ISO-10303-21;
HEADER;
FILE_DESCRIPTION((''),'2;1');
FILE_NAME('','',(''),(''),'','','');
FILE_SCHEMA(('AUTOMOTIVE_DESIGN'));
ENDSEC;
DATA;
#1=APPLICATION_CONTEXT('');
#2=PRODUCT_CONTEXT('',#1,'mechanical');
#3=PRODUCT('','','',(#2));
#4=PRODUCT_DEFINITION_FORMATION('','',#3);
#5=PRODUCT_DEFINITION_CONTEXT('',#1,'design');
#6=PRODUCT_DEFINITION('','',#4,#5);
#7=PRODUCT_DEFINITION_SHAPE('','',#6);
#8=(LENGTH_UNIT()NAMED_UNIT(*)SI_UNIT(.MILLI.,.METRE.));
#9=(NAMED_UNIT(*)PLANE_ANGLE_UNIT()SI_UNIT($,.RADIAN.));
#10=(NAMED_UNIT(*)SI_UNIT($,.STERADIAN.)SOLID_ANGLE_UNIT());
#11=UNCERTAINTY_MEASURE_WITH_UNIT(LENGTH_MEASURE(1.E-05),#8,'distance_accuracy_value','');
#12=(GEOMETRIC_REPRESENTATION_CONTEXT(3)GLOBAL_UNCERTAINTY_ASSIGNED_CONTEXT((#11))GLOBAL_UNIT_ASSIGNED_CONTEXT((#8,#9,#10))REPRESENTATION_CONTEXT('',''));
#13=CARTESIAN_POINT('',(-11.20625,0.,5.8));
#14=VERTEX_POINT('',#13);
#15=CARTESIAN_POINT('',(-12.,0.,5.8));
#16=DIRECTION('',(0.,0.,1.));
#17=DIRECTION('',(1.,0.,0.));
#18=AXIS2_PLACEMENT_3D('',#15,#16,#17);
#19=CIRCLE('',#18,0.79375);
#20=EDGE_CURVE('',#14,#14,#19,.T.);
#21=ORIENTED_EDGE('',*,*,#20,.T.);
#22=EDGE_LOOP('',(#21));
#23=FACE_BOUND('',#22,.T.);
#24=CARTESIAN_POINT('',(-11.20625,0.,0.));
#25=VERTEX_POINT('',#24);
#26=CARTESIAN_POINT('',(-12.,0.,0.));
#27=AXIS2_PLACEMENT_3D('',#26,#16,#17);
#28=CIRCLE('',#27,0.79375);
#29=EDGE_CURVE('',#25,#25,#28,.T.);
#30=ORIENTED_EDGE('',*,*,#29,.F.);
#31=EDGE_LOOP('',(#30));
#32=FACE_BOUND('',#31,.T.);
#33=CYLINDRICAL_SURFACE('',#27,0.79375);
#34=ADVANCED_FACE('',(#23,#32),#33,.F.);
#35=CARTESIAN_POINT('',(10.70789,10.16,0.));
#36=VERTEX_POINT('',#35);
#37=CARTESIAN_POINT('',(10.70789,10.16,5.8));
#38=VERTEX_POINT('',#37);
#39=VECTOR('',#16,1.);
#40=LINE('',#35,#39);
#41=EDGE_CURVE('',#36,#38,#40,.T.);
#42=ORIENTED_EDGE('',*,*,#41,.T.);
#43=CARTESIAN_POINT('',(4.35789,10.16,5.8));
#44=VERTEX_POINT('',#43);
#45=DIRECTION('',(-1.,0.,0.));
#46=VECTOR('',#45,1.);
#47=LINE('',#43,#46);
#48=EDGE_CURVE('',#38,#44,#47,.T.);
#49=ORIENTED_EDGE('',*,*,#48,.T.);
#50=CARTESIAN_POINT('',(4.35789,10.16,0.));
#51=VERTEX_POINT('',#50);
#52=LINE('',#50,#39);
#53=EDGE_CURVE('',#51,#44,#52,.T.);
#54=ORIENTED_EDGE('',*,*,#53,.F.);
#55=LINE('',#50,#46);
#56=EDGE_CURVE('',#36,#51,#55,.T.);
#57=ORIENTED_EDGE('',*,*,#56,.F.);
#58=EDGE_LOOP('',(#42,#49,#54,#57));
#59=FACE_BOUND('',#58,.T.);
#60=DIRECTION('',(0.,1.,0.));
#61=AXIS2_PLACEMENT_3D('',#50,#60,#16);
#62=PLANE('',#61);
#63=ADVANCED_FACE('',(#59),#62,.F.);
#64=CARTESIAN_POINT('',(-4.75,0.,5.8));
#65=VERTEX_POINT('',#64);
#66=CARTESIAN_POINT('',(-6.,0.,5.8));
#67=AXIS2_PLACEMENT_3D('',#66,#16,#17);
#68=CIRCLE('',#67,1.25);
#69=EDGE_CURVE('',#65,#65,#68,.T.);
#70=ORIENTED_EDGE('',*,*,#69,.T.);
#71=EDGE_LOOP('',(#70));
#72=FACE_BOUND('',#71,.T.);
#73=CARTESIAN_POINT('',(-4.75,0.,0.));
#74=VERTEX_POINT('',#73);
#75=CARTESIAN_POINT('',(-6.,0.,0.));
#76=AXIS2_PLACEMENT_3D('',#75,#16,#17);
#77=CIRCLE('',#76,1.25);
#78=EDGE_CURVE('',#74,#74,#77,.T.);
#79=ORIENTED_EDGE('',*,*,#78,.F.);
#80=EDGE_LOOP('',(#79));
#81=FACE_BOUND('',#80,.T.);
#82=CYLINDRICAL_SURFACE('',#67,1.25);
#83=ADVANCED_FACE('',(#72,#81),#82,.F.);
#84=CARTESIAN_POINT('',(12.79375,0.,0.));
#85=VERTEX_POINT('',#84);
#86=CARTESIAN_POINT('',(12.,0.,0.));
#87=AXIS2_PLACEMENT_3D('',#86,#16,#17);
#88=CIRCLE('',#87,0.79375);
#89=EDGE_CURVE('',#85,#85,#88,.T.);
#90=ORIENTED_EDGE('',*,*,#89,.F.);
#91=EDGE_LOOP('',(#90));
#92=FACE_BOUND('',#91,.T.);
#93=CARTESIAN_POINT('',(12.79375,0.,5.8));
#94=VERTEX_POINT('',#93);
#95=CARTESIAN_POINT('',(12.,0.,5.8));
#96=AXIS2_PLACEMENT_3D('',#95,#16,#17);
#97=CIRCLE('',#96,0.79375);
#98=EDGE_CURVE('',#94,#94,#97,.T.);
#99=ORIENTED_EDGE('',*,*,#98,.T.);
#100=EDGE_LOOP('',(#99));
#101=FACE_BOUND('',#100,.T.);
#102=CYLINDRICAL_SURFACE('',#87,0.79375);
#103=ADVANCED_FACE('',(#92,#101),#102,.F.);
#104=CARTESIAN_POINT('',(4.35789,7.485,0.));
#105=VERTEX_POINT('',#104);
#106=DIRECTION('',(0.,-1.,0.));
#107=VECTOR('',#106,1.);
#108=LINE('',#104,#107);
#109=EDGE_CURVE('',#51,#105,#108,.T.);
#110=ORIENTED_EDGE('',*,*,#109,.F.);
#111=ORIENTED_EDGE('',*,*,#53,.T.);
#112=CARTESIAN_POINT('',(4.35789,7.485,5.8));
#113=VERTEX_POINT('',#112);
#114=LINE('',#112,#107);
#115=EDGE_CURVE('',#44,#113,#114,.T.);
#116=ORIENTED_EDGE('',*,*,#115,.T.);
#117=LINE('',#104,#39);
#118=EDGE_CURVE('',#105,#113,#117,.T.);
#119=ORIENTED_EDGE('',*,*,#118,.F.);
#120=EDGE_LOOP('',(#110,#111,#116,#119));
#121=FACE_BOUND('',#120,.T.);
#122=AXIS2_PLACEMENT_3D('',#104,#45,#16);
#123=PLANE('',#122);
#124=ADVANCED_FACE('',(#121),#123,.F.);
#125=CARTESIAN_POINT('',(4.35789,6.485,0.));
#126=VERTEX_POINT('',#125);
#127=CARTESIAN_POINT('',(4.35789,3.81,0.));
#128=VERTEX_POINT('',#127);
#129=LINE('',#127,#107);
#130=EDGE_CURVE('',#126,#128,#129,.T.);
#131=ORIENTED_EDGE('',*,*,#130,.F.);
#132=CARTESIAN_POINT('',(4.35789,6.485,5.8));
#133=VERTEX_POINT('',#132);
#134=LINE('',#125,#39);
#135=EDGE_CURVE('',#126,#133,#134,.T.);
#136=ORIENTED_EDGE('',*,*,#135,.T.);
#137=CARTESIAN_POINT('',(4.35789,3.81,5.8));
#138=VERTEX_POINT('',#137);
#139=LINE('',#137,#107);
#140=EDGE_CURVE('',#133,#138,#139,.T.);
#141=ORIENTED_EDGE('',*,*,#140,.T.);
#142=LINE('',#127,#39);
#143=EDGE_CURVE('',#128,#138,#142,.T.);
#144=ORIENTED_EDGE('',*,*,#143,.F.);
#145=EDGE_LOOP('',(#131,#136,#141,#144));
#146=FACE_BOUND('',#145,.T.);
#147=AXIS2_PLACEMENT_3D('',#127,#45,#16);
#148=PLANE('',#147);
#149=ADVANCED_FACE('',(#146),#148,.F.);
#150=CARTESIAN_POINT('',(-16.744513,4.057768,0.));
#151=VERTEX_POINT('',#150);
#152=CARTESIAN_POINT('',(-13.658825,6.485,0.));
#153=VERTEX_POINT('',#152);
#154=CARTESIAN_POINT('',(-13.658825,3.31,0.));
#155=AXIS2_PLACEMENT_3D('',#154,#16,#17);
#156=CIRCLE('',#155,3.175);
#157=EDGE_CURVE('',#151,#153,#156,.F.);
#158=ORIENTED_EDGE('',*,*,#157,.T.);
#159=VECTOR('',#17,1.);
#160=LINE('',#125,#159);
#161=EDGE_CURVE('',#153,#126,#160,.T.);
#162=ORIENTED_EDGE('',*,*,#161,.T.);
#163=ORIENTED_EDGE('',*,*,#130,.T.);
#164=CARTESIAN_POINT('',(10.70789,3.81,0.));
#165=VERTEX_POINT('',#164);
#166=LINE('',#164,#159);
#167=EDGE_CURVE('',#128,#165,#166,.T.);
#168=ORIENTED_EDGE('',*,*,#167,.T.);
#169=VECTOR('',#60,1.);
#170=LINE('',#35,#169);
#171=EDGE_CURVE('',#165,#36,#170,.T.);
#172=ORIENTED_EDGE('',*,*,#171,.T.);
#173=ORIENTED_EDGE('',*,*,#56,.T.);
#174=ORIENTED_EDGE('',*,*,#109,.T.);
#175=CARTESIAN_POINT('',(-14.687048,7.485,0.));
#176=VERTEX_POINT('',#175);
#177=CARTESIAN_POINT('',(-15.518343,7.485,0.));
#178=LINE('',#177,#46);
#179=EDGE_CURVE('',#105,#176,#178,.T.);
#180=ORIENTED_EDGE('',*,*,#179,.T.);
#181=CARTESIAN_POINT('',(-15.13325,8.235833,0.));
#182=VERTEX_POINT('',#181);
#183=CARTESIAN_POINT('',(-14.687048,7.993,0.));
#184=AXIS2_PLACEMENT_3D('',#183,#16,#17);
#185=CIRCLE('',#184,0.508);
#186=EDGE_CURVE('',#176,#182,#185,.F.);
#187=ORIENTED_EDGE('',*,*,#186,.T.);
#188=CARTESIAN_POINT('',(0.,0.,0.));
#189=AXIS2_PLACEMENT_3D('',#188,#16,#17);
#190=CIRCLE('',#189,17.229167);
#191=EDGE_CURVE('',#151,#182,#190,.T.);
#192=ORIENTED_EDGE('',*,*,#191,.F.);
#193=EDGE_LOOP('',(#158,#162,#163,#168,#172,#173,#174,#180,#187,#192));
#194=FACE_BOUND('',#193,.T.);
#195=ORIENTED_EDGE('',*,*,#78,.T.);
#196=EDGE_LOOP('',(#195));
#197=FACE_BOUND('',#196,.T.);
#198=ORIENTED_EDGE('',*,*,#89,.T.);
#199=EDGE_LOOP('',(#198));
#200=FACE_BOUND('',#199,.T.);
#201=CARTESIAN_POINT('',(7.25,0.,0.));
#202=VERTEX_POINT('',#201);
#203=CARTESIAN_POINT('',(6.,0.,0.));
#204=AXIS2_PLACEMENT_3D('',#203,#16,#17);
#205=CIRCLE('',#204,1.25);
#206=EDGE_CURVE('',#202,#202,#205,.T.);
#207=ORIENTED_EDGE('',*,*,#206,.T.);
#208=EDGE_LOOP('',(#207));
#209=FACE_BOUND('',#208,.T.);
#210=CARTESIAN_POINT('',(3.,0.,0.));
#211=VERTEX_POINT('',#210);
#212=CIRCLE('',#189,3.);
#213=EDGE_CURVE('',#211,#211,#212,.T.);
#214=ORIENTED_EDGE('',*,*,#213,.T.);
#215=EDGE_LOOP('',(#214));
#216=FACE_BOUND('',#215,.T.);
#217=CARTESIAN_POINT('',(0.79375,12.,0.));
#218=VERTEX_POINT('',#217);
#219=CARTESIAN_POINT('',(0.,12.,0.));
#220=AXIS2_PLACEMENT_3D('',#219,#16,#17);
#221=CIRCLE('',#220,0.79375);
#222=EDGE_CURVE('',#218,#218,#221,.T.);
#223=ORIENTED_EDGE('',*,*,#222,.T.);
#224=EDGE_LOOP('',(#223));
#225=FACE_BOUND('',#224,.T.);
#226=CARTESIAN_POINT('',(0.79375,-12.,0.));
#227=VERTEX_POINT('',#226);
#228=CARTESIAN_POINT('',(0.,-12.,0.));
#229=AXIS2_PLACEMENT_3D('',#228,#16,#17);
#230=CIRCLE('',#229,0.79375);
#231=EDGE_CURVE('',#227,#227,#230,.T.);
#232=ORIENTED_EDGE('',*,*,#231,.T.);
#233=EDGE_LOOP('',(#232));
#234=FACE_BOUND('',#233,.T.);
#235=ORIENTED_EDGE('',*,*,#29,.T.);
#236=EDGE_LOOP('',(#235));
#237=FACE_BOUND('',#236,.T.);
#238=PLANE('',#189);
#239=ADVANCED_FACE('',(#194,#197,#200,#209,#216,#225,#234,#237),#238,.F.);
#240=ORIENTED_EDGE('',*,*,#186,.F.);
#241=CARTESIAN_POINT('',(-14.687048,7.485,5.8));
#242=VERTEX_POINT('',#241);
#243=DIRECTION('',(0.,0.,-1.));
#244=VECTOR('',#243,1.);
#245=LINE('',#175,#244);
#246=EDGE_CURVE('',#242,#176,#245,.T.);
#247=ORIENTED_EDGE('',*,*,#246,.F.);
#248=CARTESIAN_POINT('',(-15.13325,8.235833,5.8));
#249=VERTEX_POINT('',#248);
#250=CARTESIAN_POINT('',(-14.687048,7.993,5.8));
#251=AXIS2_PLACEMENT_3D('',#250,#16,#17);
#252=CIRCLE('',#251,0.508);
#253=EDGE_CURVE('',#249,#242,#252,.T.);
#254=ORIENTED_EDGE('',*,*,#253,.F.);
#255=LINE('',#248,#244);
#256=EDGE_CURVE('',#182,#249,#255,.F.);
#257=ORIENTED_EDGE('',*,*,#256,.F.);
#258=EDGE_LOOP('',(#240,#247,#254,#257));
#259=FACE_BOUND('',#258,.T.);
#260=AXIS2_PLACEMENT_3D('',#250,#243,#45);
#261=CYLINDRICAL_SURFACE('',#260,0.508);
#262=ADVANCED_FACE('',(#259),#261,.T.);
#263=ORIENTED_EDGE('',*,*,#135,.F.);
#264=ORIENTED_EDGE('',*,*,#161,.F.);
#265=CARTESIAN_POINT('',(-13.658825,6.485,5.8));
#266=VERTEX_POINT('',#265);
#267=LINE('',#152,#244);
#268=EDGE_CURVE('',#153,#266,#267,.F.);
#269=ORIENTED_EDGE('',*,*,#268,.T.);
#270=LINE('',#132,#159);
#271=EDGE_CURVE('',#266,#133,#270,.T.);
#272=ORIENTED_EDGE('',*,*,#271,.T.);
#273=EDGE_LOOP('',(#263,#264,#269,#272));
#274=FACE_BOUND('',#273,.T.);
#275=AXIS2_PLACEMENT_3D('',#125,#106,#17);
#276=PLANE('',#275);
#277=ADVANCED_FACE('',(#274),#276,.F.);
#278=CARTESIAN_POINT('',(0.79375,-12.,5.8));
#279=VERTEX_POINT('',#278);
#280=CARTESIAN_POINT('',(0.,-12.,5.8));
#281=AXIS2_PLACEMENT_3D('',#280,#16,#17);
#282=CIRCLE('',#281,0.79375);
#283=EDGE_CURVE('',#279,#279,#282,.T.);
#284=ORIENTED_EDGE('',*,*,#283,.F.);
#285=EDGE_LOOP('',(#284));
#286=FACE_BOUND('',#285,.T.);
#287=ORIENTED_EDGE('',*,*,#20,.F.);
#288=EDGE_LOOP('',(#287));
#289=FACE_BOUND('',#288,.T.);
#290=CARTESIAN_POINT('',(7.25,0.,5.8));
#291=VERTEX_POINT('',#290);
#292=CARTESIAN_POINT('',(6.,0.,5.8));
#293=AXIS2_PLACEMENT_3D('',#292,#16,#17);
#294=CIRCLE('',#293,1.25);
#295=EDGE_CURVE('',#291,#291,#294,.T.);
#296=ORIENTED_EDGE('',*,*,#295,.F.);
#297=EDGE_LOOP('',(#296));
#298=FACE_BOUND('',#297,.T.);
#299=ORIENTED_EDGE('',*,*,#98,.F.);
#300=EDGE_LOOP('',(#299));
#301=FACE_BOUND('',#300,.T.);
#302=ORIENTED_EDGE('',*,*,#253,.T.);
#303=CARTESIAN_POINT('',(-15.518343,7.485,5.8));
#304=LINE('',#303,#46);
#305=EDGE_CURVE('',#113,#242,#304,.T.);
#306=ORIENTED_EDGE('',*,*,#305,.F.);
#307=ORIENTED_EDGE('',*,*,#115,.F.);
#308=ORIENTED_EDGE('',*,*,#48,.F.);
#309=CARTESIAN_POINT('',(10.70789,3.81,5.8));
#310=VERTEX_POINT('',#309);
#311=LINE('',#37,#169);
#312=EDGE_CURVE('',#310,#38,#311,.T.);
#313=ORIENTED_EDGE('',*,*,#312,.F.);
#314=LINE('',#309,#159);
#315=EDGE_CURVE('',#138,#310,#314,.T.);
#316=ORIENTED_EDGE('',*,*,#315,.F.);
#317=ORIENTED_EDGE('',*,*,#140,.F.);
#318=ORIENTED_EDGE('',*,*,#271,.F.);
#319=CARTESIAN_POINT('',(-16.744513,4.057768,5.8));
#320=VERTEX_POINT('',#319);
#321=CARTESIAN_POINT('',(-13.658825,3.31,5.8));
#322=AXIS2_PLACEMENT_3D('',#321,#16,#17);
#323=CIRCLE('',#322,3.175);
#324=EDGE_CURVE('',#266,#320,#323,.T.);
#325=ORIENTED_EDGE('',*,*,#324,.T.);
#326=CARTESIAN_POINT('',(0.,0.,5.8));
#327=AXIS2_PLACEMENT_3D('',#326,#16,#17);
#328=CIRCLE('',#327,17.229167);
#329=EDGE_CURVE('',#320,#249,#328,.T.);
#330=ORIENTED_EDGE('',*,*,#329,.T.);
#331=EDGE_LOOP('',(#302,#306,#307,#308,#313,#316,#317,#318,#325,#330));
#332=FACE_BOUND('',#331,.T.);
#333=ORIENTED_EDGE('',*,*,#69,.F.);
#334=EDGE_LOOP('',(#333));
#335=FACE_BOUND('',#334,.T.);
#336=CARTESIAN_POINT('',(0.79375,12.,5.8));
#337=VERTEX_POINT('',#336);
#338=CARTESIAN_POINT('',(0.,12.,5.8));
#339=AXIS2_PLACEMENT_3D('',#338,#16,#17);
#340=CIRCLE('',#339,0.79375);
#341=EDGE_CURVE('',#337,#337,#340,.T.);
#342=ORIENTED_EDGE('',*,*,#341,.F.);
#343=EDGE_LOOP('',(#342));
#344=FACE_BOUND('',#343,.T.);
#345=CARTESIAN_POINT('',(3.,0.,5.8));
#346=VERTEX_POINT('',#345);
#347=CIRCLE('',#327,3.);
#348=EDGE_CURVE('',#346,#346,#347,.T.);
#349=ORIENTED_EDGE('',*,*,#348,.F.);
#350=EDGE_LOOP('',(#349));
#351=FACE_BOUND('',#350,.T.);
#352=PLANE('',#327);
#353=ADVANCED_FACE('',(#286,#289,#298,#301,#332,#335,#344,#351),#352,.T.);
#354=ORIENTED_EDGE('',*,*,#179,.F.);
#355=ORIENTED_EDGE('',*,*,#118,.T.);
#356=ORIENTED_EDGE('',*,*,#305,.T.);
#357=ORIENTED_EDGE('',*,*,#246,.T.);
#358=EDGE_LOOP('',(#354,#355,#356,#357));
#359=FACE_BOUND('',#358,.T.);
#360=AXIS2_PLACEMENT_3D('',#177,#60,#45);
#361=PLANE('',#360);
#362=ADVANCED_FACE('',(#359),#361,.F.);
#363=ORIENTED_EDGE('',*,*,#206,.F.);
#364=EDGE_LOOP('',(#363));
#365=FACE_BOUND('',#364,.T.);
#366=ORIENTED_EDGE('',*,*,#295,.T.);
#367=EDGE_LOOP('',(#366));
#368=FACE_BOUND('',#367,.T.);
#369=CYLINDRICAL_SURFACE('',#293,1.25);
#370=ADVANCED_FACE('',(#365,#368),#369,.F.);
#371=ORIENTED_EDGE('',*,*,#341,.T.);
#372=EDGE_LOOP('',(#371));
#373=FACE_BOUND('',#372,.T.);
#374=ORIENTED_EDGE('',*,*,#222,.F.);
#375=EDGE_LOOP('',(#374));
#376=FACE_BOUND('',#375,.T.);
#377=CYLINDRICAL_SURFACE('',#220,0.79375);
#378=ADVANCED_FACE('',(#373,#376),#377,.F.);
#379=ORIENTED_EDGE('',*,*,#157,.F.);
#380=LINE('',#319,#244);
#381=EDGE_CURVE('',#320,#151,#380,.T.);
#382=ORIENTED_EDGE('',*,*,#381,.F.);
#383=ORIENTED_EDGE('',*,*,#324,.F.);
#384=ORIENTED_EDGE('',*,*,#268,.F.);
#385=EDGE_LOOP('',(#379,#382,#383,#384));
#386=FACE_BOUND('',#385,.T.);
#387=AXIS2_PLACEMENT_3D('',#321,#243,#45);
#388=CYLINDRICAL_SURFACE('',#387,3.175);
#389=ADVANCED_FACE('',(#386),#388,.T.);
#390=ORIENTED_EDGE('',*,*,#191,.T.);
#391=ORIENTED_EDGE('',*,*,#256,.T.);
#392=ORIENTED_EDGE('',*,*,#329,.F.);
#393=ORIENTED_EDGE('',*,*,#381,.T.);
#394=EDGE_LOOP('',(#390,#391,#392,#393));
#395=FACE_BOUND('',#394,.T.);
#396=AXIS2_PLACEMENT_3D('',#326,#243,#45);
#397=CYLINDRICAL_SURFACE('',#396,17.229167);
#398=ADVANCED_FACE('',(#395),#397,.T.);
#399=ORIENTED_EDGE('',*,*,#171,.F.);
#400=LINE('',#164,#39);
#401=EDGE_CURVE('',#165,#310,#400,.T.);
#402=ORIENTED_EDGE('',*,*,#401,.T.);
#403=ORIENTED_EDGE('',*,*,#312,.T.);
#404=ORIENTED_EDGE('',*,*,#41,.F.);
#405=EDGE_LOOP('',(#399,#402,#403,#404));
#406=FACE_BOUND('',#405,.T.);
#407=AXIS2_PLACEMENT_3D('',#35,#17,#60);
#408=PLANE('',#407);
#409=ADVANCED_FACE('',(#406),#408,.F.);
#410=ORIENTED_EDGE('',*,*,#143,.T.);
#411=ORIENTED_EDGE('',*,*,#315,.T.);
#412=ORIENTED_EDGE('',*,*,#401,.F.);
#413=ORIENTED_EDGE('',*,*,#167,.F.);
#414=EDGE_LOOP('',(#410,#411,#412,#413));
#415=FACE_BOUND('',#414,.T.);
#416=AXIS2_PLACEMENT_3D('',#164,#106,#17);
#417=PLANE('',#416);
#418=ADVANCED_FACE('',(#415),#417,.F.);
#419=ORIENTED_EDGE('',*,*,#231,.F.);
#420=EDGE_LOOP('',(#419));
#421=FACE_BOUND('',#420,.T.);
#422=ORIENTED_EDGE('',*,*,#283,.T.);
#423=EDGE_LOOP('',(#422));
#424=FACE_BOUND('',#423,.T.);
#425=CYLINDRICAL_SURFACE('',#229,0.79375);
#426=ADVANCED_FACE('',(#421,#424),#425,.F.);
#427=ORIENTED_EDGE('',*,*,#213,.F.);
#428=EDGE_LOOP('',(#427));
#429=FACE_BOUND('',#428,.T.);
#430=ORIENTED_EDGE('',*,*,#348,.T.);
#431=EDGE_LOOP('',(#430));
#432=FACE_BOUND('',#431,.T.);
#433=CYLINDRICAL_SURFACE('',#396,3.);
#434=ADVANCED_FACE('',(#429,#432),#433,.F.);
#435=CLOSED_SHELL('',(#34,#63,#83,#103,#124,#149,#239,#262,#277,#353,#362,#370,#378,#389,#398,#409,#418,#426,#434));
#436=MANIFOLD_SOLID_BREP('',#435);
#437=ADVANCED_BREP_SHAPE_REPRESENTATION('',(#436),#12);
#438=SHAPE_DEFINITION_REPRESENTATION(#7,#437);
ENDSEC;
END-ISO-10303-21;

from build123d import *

# Parameters (mm, degrees)
SKETCH1_R                 = 17.229166667
SKETCH1_R_2               = 3
BOSS_EXTRUDE1_DEPTH       = 5.8
SKETCH2_R                 = 0.79375
CUT_EXTRUDE1_DEPTH        = 26.046524071
CUT_EXTRUDE2_DEPTH        = 26.046524071
FILLET1_R                 = 3.175
FILLET2_R                 = 0.508
M3X0_5_TAPPED_HOLE1_D     = 2.5
M3X0_5_TAPPED_HOLE1_DEPTH = 8.636
M3X0_5_TAPPED_HOLE1_TIP   = 0.751075774


with BuildPart() as part:
    # Sketch1 → Boss-Extrude1 (new body)
    with BuildSketch(Plane.XY):
        Circle(SKETCH1_R)
        Circle(SKETCH1_R_2, mode=Mode.SUBTRACT)
    extrude(amount=BOSS_EXTRUDE1_DEPTH)

    # Sketch2 → Cut-Extrude1 (cut, through all)
    with BuildSketch(Plane.XY.offset(5.8)):
        with Locations((0, 12)):
            Circle(SKETCH2_R)
        with Locations((12, 0)):
            Circle(SKETCH2_R)
        with Locations((0, -12)):
            Circle(SKETCH2_R)
        with Locations((-12, 0)):
            Circle(SKETCH2_R)
    extrude(amount=-CUT_EXTRUDE1_DEPTH, mode=Mode.SUBTRACT)

    # Sketch3 → Cut-Extrude2 (cut, through all)
    with BuildSketch(Plane.XY.offset(5.8)):
        with BuildLine():
            Line((-15.518342664, 7.485), (4.357889894, 7.485))
            Line((4.357889894, 7.485), (4.357889894, 10.16))
            Line((4.357889894, 10.16), (10.707889894, 10.16))
            Line((10.707889894, 10.16), (10.707889894, 3.81))
            Line((10.707889894, 3.81), (4.357889894, 3.81))
            Line((4.357889894, 3.81), (4.357889894, 6.485))
            Line((4.357889894, 6.485), (-15.962110106, 6.485))
            ThreePointArc((-15.962110106, 6.485), (-15.748165818, 6.988523262), (-15.518342664, 7.485))
        make_face()
    extrude(amount=-CUT_EXTRUDE2_DEPTH, mode=Mode.SUBTRACT)

    # Fillet1
    fillet1_edges = [part.edges().sort_by_distance(p)[0] for p in [
        (-15.962110106, 6.485, 2.9),
    ]]
    fillet(fillet1_edges, radius=FILLET1_R)

    # Fillet2
    fillet2_edges = [part.edges().sort_by_distance(p)[0] for p in [
        (-15.518342664, 7.485, 2.9),
    ]]
    fillet(fillet2_edges, radius=FILLET2_R)

    # M3x0.5 Tapped Hole1
    with Locations(Plane.XY.offset(5.8)):
        with Locations((-6, 0), (6, 0)):
            Hole(M3X0_5_TAPPED_HOLE1_D / 2, depth=M3X0_5_TAPPED_HOLE1_DEPTH)
            with Locations((0, 0, -(M3X0_5_TAPPED_HOLE1_DEPTH + M3X0_5_TAPPED_HOLE1_TIP / 2))):  # 118° drill point
                Cone(0, M3X0_5_TAPPED_HOLE1_D / 2, M3X0_5_TAPPED_HOLE1_TIP, mode=Mode.SUBTRACT)


solid = part.part
